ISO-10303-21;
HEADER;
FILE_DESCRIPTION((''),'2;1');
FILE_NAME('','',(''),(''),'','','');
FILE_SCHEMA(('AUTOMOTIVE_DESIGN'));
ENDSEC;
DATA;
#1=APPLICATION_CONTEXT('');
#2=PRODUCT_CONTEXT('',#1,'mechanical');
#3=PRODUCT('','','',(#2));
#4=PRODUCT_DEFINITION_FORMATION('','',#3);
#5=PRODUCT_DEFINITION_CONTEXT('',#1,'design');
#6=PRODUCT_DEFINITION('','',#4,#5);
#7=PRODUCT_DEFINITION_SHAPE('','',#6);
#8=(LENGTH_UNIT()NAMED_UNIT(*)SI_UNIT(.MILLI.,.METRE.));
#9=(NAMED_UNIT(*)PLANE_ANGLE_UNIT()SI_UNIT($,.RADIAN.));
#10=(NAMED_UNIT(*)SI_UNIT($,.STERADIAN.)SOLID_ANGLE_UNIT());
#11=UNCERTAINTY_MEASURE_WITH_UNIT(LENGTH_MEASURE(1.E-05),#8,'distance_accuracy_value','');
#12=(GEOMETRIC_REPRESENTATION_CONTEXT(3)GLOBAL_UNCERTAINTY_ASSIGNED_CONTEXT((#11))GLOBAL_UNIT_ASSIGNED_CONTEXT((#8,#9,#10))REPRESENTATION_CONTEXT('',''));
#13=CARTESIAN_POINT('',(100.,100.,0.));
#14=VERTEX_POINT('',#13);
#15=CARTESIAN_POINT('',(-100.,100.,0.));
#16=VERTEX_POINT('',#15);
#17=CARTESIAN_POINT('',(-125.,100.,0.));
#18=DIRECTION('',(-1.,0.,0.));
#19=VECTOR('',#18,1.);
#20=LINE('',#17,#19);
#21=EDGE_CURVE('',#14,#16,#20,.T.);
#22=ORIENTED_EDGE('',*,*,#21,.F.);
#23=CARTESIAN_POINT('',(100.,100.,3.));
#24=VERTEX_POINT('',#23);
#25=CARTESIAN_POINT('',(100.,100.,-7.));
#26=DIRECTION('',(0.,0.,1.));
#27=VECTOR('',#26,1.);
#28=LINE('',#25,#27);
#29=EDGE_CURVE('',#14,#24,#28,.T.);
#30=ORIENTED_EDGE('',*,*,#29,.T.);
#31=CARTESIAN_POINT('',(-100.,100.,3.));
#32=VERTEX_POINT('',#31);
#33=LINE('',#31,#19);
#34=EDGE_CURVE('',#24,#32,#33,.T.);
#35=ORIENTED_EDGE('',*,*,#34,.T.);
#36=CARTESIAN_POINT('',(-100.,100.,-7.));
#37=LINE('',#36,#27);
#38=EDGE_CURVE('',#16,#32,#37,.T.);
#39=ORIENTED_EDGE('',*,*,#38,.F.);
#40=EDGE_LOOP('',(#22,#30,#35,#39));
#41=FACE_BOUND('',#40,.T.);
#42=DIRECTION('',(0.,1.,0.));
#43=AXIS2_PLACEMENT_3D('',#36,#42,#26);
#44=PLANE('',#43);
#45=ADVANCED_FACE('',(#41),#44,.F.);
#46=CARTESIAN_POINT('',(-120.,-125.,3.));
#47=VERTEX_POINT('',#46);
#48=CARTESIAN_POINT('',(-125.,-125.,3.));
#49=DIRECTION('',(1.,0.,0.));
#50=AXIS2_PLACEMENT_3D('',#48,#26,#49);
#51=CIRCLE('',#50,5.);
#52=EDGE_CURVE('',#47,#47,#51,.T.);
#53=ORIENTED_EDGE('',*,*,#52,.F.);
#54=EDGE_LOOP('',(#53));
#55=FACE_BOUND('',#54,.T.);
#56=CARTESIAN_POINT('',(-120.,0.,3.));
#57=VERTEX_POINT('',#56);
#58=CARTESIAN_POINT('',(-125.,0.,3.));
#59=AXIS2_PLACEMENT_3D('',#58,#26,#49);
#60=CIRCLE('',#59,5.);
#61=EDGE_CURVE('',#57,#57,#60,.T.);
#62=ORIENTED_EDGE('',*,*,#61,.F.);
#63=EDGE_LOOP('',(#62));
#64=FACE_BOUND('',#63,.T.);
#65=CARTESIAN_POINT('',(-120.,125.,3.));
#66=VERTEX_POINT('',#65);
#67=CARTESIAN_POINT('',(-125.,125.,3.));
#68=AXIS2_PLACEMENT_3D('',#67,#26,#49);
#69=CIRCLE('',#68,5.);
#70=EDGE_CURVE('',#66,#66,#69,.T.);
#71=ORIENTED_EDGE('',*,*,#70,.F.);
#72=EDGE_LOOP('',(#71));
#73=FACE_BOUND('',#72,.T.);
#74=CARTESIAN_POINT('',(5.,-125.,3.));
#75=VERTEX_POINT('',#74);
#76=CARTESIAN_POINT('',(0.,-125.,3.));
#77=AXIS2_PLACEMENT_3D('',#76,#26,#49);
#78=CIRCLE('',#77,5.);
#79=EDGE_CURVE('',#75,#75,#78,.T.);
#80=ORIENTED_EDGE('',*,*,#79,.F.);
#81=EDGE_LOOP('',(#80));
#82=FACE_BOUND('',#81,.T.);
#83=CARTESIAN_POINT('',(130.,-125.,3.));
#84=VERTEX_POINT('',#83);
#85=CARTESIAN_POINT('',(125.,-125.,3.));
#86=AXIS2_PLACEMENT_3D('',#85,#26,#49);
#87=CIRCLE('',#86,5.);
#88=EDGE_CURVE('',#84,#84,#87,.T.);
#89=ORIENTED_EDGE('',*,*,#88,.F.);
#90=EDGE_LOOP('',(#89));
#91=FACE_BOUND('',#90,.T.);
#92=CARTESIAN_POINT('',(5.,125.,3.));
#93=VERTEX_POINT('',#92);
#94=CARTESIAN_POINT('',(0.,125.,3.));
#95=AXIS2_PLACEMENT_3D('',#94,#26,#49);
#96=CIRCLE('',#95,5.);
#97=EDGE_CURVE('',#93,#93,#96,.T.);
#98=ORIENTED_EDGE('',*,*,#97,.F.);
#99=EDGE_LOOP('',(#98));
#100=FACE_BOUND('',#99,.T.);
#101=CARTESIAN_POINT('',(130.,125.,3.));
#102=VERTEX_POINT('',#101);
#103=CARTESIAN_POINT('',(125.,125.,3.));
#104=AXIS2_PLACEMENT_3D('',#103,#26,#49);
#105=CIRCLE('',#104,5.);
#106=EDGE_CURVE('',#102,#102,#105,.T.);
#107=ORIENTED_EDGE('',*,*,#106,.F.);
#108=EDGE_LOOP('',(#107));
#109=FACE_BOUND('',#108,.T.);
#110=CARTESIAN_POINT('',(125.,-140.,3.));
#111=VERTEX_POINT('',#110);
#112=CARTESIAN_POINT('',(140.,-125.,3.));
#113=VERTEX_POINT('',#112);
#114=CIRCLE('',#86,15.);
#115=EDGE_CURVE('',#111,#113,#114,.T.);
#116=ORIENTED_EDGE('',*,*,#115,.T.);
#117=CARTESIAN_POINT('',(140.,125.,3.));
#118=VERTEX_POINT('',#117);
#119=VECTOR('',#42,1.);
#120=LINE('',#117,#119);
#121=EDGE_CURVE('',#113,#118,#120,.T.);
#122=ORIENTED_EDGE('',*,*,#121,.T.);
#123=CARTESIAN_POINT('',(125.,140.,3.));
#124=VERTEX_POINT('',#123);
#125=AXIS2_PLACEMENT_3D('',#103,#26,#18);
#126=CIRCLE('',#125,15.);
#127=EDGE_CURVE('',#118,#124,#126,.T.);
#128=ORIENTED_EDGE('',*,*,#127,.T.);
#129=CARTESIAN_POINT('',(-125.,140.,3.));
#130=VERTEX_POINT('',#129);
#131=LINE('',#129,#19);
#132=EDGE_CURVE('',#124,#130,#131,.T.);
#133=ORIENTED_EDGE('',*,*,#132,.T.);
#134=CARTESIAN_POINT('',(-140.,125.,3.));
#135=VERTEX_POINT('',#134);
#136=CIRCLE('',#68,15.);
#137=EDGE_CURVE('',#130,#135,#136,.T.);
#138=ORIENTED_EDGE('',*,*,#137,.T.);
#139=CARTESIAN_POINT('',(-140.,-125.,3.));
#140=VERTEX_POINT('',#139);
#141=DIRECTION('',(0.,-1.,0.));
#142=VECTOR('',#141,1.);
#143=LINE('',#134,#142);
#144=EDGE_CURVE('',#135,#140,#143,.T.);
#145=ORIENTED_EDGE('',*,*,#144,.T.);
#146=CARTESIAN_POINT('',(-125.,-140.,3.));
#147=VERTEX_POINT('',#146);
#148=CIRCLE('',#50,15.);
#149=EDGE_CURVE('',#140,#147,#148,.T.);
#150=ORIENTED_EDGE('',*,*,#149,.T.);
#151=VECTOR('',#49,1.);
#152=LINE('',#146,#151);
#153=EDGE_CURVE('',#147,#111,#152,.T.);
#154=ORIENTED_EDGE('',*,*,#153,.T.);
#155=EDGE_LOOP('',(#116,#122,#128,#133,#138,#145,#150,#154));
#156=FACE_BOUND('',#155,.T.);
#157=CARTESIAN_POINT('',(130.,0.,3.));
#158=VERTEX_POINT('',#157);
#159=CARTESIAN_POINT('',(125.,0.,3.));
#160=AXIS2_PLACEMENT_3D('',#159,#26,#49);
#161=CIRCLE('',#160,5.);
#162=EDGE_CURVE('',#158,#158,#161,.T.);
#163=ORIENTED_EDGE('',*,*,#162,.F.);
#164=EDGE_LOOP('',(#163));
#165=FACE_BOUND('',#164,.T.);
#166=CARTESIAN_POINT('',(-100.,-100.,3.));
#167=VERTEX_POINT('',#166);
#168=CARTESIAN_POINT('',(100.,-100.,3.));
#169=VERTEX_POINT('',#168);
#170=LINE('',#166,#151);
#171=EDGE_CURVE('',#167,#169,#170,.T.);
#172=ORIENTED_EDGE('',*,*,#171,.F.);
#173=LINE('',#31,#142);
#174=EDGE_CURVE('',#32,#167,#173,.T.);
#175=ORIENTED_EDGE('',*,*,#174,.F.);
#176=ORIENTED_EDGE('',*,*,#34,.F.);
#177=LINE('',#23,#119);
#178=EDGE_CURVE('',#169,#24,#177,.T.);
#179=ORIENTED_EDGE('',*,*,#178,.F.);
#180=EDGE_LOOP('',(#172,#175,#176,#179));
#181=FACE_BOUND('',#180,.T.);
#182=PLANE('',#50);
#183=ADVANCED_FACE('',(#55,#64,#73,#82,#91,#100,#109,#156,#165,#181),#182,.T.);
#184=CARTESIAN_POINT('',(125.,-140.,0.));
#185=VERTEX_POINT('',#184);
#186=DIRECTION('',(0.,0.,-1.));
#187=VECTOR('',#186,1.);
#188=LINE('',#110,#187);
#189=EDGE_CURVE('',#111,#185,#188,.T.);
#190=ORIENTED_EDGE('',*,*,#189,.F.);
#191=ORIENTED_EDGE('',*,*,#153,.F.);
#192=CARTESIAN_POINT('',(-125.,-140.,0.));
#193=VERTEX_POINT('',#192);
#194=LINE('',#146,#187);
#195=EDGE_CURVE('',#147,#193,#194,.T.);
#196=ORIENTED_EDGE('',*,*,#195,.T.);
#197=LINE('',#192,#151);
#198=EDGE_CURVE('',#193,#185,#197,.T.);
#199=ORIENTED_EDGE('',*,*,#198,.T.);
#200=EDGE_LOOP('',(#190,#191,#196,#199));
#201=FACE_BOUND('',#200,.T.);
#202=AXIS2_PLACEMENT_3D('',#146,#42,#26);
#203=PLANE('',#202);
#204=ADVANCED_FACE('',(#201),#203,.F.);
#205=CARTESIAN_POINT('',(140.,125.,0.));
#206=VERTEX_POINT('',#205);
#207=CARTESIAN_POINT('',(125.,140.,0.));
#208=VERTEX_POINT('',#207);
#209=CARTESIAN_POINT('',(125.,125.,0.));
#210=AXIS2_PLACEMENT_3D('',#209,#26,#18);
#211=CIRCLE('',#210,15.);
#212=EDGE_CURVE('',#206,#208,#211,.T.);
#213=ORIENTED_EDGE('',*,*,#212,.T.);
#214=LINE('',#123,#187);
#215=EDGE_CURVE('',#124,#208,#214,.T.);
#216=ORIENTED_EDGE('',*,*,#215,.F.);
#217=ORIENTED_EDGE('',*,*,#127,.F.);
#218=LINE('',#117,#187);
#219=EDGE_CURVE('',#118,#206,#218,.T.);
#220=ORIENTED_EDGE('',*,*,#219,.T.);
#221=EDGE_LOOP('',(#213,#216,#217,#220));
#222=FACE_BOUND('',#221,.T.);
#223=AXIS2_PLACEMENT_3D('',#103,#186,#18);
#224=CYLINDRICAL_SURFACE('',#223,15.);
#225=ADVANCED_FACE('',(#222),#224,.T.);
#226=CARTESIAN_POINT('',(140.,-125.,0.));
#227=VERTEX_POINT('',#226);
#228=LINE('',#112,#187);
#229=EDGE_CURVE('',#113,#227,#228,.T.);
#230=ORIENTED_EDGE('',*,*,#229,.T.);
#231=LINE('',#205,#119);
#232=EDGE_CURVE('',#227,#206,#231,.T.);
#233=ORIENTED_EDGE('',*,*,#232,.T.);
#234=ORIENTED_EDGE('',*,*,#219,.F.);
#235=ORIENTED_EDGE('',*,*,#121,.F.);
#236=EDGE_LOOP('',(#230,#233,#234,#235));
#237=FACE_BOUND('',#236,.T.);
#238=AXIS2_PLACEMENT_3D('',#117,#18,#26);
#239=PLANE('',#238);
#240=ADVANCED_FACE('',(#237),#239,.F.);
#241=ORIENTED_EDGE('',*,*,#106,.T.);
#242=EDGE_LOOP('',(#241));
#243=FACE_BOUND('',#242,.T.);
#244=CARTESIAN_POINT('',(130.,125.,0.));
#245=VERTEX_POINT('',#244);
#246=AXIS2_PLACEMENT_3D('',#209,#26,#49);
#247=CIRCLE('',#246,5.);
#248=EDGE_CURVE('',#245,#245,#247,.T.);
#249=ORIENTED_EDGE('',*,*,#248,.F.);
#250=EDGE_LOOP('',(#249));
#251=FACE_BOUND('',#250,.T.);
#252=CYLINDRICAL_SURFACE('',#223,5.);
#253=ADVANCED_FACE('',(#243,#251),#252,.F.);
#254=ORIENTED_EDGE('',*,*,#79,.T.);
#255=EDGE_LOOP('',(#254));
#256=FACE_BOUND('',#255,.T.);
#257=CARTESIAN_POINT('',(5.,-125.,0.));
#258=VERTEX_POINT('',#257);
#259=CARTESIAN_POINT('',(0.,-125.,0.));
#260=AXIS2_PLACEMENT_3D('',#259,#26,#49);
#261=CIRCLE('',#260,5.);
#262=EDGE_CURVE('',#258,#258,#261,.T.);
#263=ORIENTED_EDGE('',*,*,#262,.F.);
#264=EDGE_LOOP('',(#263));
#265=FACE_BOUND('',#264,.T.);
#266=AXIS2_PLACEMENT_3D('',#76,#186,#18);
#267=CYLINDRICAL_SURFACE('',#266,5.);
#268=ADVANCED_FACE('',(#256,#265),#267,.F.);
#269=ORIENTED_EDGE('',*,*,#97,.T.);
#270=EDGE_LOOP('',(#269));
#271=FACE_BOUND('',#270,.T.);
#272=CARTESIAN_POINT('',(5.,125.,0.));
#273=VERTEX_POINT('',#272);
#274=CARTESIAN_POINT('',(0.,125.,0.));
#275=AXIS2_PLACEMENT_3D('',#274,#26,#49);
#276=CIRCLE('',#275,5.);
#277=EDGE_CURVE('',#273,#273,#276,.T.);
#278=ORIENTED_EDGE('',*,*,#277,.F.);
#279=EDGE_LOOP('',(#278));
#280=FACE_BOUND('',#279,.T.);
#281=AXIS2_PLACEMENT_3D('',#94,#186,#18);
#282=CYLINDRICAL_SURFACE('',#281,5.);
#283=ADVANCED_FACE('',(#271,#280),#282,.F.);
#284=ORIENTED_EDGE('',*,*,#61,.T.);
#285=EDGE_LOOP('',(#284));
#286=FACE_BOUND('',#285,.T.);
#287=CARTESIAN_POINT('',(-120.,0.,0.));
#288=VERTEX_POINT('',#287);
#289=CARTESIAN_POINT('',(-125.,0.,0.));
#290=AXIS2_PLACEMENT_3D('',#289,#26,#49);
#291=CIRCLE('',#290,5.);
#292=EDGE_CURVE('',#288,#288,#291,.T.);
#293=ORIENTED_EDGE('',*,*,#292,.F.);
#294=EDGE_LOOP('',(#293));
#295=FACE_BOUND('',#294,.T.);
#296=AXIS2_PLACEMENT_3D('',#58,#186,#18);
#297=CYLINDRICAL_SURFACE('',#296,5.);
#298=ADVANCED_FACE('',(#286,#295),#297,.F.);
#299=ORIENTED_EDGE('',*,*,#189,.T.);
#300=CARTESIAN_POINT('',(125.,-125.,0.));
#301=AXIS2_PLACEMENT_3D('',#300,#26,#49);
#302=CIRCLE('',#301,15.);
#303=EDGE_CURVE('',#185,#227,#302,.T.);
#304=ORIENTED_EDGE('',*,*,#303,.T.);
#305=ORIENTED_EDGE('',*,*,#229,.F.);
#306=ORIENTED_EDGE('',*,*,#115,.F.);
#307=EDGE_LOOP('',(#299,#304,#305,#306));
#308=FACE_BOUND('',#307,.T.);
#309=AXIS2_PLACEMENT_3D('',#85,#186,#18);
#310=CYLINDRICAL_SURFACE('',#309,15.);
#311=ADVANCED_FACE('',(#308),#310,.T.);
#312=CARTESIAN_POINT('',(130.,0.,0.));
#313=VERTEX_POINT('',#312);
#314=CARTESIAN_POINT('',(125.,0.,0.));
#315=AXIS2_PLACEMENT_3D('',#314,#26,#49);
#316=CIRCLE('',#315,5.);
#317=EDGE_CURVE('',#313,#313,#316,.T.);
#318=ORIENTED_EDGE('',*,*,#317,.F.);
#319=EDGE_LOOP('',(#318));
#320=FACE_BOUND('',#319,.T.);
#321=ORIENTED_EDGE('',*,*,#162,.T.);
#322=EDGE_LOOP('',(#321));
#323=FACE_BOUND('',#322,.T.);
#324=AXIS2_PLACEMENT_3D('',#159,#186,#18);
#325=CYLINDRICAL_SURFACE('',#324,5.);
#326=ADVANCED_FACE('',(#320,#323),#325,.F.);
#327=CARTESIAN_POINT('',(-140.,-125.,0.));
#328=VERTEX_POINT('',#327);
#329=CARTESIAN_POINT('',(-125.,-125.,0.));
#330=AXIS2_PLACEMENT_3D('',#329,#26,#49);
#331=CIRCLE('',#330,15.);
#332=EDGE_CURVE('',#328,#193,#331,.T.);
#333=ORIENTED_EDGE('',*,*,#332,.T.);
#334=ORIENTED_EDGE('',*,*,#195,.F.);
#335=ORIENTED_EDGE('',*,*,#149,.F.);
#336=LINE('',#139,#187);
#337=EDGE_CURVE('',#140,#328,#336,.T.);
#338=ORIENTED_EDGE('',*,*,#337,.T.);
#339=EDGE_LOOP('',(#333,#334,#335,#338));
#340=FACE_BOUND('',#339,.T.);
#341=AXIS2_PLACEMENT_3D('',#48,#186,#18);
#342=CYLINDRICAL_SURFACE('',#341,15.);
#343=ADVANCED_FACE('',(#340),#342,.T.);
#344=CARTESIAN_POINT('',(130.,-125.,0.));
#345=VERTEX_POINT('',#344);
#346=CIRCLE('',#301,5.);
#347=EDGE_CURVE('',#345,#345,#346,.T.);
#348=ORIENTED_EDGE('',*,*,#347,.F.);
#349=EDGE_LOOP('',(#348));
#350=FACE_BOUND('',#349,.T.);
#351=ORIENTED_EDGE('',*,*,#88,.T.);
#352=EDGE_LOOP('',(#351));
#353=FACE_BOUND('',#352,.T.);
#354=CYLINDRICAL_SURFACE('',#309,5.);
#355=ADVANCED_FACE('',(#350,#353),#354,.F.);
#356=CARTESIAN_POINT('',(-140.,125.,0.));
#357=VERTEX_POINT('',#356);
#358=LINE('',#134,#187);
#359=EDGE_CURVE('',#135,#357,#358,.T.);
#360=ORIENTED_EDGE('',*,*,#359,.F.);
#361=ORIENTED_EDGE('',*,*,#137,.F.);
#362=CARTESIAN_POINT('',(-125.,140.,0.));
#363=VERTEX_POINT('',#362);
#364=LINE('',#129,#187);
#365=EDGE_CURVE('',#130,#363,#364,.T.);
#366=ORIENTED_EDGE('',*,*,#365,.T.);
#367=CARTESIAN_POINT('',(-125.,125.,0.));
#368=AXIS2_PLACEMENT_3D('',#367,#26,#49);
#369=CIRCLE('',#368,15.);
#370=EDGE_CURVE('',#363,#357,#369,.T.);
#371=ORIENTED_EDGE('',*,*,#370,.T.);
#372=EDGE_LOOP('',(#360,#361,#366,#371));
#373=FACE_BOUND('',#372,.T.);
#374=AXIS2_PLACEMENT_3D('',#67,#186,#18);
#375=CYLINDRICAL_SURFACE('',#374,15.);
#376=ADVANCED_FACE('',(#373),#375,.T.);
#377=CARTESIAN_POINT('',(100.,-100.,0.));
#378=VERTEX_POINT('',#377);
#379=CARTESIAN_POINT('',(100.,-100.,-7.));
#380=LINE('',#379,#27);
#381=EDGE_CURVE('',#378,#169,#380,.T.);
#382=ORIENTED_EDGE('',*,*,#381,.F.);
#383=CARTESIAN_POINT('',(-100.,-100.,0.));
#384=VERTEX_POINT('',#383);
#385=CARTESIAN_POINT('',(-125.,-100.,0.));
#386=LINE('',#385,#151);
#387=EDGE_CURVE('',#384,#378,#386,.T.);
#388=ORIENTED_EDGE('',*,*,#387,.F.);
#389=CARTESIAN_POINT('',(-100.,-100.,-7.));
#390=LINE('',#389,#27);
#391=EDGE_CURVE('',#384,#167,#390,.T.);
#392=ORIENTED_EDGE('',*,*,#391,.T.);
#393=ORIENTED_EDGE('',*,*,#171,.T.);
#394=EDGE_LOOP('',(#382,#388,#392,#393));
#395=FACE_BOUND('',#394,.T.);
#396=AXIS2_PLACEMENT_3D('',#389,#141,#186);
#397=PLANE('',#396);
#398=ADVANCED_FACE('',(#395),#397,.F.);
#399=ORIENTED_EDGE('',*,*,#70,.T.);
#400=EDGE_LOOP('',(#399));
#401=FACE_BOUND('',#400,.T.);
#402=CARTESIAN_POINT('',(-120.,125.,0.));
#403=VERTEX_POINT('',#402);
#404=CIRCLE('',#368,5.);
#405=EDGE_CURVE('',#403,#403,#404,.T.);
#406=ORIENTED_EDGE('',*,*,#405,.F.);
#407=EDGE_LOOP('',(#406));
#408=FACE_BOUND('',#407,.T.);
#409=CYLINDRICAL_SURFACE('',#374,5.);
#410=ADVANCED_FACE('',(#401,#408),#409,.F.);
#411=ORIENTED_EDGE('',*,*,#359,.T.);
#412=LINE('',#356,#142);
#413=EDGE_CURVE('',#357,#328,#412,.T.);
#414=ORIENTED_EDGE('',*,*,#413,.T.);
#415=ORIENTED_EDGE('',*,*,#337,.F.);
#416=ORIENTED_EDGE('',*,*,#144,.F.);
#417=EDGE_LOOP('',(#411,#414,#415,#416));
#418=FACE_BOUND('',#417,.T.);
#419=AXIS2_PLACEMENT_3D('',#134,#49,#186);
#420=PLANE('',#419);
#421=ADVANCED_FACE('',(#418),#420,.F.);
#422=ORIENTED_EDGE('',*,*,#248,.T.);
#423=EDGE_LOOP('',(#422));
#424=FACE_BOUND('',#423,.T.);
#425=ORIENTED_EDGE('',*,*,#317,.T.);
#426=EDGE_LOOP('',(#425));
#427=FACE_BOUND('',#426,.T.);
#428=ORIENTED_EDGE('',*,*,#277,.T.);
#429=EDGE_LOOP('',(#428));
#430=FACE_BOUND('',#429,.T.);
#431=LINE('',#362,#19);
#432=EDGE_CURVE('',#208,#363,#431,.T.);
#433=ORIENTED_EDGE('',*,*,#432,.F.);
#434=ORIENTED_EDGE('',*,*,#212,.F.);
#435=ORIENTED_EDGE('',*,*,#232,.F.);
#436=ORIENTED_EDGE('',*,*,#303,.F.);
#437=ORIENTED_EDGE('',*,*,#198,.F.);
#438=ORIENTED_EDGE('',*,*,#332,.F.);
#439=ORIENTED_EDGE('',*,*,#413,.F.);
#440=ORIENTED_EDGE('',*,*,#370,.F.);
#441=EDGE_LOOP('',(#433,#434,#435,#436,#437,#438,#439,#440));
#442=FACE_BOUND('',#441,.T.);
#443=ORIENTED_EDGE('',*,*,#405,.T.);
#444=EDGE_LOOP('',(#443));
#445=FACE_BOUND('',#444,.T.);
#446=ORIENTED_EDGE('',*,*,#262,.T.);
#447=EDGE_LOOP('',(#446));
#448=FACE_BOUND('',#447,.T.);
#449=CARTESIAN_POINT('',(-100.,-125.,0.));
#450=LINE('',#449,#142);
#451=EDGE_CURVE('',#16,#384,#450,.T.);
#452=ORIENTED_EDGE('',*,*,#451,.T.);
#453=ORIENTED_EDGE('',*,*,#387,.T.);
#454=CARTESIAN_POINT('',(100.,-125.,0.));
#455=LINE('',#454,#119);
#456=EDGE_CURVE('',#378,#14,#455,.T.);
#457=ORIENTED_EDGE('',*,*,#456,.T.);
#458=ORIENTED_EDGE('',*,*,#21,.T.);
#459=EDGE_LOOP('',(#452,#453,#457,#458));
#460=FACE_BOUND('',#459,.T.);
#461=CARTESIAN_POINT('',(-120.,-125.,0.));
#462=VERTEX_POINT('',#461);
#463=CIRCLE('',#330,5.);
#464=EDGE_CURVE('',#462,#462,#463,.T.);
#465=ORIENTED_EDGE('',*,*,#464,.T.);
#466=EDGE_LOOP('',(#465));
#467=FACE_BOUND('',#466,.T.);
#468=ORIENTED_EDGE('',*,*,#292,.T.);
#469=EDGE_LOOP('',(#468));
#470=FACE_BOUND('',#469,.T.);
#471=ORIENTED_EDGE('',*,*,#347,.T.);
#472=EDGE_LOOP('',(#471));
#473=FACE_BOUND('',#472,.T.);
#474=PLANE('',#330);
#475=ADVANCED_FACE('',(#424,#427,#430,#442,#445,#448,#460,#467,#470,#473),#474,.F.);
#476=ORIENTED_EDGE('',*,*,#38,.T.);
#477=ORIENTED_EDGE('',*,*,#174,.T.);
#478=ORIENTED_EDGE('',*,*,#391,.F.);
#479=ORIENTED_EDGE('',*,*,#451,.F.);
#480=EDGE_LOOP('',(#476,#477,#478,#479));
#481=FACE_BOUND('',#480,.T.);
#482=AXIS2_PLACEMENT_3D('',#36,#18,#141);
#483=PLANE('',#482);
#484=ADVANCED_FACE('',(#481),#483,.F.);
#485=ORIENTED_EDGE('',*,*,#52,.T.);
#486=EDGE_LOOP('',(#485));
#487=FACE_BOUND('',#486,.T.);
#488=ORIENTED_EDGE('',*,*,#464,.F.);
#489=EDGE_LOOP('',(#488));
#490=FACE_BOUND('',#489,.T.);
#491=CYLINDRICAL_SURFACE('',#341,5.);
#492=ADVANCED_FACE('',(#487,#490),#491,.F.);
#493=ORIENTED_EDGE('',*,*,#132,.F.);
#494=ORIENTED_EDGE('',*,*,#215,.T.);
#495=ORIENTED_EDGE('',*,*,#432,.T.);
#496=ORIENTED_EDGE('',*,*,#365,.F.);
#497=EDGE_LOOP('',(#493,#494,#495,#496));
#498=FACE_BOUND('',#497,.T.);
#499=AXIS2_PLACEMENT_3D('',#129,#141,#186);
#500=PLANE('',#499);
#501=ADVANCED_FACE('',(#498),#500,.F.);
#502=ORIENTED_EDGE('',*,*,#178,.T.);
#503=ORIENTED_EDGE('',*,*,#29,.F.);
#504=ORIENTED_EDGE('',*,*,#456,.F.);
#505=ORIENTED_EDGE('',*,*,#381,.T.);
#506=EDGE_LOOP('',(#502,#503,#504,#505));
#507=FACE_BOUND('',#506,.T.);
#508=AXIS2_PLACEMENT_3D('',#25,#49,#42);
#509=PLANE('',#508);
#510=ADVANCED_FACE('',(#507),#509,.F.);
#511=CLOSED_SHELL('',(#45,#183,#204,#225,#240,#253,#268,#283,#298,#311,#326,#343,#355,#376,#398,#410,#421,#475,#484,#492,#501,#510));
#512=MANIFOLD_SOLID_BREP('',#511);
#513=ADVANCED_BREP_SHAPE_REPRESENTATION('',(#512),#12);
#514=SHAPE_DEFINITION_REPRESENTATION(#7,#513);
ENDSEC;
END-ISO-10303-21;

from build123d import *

# Parameters (mm, degrees)
SKETCH2_R           = 5
SKETCH2_R_2         = 4
BOSS_EXTRUDE1_DEPTH = 3
SKETCH3_W           = 200
SKETCH3_H           = 200
CUT_EXTRUDE1_DEPTH  = 10


with BuildPart() as part:
    # Sketch2 → Boss-Extrude1 (new body)
    with BuildSketch(Plane.XY):
        with BuildLine():
            Line((-125, 140), (125, 140))
            ThreePointArc((125, 140), (135.606601718, 135.606601718), (140, 125))
            Line((140, 125), (140, -125))
            ThreePointArc((140, -125), (135.606601718, -135.606601718), (125, -140))
            Line((125, -140), (-125, -140))
            ThreePointArc((-125, -140), (-135.606601718, -135.606601718), (-140, -125))
            Line((-140, -125), (-140, 125))
            ThreePointArc((-140, 125), (-135.606601718, 135.606601718), (-125, 140))
        make_face()
        with Locations((-125, 125)):
            Circle(SKETCH2_R, mode=Mode.SUBTRACT)
        with Locations((0, 125)):
            Circle(SKETCH2_R, mode=Mode.SUBTRACT)
        with Locations((125, 125)):
            Circle(SKETCH2_R, mode=Mode.SUBTRACT)
        Circle(SKETCH2_R_2, mode=Mode.SUBTRACT)
        with Locations((125, 0)):
            Circle(SKETCH2_R, mode=Mode.SUBTRACT)
        with Locations((-125, 0)):
            Circle(SKETCH2_R, mode=Mode.SUBTRACT)
        with Locations((-125, -125)):
            Circle(SKETCH2_R, mode=Mode.SUBTRACT)
        with Locations((0, -125)):
            Circle(SKETCH2_R, mode=Mode.SUBTRACT)
        with Locations((125, -125)):
            Circle(SKETCH2_R, mode=Mode.SUBTRACT)
    extrude(amount=BOSS_EXTRUDE1_DEPTH)

    # Sketch3 → Cut-Extrude1 (cut)
    with BuildSketch(Plane.XY.offset(3)):
        Rectangle(SKETCH3_W, SKETCH3_H)
    extrude(amount=-CUT_EXTRUDE1_DEPTH, mode=Mode.SUBTRACT)


solid = part.part
